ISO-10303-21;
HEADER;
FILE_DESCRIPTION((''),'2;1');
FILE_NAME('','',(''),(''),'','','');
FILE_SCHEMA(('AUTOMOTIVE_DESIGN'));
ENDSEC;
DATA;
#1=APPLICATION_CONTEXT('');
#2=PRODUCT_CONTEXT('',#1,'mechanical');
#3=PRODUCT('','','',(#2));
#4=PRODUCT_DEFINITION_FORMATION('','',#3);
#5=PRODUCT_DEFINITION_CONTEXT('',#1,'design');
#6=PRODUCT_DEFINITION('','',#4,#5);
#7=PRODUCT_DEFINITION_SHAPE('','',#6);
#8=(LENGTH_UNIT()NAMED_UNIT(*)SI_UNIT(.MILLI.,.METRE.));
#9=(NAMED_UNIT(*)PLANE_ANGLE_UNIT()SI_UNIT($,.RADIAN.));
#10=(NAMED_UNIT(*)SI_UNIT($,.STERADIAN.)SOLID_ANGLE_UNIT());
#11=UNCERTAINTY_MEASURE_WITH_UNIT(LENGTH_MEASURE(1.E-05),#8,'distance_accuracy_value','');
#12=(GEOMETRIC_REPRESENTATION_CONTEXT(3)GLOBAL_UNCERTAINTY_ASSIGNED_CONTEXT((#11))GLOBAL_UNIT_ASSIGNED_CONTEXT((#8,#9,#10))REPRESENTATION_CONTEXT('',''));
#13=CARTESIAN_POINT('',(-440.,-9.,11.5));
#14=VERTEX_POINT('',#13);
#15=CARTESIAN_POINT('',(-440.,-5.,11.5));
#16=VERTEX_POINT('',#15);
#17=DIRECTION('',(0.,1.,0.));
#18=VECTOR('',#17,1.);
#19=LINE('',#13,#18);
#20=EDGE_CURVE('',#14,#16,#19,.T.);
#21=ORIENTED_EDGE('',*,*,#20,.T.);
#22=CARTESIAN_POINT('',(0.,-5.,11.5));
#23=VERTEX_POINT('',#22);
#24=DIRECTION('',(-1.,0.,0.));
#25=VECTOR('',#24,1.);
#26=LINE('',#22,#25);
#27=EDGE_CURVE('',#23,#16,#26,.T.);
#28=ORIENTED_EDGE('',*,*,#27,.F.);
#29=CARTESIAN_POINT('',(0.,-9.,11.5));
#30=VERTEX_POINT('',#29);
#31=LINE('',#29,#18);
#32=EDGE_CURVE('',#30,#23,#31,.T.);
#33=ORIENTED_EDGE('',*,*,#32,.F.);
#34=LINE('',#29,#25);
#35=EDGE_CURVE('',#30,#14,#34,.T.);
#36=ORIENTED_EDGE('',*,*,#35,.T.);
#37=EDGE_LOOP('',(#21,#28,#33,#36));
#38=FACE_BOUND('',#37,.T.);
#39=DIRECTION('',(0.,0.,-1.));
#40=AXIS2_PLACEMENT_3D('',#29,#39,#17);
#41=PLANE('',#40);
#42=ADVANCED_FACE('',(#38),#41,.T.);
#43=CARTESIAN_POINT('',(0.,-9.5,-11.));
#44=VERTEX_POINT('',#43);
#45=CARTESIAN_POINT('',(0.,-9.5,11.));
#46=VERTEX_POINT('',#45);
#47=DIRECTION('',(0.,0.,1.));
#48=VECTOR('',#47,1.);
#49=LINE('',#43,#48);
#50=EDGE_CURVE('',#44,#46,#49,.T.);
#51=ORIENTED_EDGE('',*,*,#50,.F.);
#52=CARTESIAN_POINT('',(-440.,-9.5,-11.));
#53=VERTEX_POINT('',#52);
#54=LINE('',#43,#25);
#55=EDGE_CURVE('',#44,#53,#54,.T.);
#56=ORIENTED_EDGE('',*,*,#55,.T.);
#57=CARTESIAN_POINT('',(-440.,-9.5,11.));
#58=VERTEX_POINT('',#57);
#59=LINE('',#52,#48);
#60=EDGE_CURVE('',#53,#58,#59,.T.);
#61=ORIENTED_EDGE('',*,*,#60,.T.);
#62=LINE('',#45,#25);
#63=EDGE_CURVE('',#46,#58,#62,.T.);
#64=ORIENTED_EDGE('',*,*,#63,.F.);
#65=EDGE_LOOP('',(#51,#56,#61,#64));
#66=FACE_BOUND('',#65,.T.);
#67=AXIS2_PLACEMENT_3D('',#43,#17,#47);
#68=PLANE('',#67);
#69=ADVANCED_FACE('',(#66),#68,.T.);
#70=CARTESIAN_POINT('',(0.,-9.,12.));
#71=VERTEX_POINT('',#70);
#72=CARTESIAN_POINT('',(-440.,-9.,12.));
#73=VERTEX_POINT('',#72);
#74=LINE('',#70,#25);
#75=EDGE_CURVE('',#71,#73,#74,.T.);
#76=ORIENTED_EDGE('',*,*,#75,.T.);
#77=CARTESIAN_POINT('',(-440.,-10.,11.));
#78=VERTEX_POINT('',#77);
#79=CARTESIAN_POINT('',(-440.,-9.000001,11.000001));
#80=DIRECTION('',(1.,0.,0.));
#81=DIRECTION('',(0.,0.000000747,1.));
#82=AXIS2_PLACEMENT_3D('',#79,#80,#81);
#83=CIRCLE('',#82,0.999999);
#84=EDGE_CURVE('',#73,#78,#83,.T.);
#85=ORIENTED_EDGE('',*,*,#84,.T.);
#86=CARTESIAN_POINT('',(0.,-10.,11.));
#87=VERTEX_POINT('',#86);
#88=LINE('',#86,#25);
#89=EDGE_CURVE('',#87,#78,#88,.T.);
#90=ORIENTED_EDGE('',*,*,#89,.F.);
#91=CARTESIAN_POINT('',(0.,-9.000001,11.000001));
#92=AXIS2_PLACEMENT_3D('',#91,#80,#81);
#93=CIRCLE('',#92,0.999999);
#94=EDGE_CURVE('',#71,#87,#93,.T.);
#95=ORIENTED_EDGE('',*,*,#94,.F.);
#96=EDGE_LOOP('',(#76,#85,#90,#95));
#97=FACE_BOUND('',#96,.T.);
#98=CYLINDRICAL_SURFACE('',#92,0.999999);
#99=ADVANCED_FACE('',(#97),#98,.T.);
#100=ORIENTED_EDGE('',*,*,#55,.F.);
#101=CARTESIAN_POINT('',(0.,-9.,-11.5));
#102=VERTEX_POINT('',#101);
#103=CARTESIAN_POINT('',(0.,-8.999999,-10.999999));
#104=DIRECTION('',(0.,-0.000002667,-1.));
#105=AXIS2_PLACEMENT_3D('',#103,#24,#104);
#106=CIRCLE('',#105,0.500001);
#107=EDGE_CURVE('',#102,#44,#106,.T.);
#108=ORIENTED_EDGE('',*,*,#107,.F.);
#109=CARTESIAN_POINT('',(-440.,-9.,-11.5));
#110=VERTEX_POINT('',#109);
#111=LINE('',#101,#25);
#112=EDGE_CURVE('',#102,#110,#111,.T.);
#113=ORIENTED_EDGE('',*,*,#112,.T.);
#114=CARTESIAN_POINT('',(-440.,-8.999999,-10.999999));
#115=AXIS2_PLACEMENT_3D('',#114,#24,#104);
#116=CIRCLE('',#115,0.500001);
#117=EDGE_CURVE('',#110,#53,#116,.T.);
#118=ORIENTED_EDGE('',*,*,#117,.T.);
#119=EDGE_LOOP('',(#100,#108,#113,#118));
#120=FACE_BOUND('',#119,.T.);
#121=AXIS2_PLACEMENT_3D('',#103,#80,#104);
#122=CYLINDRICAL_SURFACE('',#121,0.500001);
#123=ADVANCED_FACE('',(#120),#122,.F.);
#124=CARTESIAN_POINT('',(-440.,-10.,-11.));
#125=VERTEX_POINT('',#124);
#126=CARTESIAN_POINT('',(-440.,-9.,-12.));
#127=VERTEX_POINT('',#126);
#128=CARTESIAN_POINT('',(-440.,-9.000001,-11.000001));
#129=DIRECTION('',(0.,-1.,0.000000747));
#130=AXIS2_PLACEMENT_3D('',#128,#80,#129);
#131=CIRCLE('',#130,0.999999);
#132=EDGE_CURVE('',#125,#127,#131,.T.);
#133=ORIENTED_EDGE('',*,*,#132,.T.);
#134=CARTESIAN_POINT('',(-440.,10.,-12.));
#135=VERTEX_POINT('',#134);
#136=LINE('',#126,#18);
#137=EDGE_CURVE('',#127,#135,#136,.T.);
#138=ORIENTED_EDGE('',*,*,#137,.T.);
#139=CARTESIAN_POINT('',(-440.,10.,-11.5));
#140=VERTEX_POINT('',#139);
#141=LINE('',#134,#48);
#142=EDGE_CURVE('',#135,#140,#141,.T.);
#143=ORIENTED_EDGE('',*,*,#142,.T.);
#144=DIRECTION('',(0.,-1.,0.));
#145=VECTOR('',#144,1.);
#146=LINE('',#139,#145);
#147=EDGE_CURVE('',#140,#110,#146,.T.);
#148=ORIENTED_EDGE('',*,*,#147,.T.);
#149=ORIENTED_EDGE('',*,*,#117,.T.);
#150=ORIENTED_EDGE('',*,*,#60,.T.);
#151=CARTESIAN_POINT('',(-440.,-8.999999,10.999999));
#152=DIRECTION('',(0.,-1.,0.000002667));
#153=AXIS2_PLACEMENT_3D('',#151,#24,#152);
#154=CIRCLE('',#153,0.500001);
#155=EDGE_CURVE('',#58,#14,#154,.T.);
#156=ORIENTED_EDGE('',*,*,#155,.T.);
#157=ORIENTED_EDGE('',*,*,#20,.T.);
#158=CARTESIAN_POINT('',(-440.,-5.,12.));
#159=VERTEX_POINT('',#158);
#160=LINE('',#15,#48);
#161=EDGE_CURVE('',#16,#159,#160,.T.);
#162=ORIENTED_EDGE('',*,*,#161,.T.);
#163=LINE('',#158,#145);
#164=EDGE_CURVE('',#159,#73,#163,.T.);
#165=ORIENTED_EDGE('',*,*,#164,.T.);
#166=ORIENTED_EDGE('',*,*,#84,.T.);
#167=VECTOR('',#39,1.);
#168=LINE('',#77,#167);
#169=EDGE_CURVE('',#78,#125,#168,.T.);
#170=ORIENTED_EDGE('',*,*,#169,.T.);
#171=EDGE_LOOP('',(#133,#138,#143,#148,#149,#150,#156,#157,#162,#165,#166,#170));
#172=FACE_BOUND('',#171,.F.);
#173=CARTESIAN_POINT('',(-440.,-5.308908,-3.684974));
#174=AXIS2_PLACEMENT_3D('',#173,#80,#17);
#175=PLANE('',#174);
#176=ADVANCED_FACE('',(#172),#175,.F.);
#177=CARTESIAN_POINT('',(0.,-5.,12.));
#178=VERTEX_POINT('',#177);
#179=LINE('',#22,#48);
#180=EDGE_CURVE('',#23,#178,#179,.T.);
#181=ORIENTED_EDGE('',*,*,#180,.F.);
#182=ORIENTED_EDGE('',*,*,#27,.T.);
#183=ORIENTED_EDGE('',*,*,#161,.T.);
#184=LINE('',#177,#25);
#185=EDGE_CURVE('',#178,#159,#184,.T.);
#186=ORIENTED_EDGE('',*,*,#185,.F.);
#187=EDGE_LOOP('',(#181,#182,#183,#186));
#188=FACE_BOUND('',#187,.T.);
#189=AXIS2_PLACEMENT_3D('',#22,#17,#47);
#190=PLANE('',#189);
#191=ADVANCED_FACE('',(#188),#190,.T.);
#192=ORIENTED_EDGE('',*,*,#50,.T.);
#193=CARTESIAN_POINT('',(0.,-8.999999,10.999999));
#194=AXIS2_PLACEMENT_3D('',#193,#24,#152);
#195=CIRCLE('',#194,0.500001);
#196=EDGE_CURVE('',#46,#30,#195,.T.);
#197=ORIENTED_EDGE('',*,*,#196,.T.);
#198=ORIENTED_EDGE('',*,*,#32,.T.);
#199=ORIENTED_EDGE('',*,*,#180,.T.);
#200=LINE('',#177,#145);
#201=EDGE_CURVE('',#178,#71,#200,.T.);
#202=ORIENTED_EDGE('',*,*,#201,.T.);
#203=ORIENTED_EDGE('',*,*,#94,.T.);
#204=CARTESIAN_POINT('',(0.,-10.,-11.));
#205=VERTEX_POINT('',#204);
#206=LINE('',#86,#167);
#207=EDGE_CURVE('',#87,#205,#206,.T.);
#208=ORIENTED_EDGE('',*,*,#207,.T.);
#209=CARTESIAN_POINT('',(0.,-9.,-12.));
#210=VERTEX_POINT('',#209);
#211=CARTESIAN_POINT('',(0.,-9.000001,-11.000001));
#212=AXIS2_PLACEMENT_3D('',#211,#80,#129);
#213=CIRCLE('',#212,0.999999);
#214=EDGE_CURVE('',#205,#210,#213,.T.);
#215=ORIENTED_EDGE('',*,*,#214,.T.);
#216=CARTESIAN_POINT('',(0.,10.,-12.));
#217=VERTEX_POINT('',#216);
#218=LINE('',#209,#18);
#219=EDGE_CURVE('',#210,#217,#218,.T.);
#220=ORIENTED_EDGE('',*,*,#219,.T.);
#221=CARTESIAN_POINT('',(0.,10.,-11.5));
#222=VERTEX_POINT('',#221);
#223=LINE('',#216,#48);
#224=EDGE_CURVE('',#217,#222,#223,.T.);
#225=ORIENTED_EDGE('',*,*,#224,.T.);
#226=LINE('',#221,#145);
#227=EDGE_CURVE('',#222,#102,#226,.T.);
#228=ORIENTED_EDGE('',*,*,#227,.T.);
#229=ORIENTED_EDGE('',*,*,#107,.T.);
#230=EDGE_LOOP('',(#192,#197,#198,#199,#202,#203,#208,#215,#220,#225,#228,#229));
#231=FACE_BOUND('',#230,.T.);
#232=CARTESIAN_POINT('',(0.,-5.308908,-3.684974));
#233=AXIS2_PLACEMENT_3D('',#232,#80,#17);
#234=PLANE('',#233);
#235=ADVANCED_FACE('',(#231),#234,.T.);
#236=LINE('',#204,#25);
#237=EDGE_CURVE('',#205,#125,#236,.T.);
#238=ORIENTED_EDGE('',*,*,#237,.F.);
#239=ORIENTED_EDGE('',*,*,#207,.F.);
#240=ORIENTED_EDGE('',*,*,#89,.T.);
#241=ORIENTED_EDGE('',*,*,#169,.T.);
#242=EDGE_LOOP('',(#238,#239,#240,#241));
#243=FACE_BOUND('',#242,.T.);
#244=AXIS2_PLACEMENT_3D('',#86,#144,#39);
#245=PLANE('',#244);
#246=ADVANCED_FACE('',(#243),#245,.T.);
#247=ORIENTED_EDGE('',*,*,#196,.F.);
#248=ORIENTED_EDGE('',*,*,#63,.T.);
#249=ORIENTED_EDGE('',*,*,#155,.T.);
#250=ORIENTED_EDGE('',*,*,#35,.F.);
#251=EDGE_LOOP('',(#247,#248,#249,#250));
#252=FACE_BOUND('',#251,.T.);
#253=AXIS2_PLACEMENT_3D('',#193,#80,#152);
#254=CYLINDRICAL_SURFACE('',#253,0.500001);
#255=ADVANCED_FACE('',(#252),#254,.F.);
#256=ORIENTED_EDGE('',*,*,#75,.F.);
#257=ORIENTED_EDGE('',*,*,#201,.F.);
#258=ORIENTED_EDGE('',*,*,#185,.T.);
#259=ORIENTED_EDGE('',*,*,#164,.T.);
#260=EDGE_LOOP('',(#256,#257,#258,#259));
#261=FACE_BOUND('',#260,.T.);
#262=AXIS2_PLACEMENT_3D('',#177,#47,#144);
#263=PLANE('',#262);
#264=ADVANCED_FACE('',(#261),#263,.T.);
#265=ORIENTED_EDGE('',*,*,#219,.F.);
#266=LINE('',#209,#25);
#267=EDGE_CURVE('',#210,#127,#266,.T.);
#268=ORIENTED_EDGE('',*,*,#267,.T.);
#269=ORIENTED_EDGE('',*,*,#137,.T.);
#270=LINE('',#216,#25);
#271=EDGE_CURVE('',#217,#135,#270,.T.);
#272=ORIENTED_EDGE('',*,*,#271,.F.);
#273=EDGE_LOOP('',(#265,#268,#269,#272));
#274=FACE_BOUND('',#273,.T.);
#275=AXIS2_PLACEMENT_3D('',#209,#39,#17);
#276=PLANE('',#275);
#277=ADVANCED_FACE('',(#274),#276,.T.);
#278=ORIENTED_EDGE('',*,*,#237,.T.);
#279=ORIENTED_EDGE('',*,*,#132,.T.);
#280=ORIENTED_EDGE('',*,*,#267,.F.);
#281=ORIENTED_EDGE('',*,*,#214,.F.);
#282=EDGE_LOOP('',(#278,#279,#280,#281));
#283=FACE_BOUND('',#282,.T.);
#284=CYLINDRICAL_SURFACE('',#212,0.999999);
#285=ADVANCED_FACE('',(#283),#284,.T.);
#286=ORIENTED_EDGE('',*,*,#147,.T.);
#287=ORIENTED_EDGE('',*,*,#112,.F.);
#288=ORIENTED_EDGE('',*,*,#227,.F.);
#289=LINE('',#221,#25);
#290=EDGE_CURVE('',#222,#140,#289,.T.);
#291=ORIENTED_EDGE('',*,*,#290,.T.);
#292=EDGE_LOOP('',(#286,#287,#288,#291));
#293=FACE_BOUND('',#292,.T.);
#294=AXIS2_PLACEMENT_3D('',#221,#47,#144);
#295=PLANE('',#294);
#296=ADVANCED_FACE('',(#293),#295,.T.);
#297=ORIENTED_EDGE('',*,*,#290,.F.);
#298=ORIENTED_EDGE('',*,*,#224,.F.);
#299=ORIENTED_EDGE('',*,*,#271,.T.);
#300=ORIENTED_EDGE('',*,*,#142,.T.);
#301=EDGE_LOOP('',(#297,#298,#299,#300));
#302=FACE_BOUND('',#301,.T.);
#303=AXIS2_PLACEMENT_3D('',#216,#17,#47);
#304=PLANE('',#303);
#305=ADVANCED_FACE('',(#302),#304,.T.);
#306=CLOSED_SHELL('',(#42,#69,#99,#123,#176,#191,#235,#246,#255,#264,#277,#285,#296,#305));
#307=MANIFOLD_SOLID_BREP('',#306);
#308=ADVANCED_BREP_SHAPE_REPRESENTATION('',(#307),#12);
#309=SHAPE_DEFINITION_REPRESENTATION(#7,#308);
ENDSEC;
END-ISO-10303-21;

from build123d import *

# Parameters (mm, degrees)
F1_DEPTH = 440


with BuildPart() as f1:
    # F0 (on Right) → F1 (new body)
    with BuildSketch(Plane.YZ):
        with BuildLine():
            Line((-9, -12), (10, -12))
            Line((10, -12), (10, -11.5))
            Line((10, -11.5), (-9, -11.5))
            ThreePointArc((-9, -11.5), (-9.353553, -11.353553), (-9.5, -11))
            Line((-9.5, -11), (-9.5, 11))
            ThreePointArc((-9.5, 11), (-9.353553, 11.353553), (-9, 11.5))
            Line((-9, 11.5), (-5, 11.5))
            Line((-5, 11.5), (-5, 12))
            Line((-5, 12), (-9, 12))
            ThreePointArc((-9, 12), (-9.707107, 11.707107), (-10, 11))
            Line((-10, 11), (-10, -11))
            ThreePointArc((-10, -11), (-9.707107, -11.707107), (-9, -12))
        make_face()
    extrude(amount=-F1_DEPTH)


solid = f1.part
